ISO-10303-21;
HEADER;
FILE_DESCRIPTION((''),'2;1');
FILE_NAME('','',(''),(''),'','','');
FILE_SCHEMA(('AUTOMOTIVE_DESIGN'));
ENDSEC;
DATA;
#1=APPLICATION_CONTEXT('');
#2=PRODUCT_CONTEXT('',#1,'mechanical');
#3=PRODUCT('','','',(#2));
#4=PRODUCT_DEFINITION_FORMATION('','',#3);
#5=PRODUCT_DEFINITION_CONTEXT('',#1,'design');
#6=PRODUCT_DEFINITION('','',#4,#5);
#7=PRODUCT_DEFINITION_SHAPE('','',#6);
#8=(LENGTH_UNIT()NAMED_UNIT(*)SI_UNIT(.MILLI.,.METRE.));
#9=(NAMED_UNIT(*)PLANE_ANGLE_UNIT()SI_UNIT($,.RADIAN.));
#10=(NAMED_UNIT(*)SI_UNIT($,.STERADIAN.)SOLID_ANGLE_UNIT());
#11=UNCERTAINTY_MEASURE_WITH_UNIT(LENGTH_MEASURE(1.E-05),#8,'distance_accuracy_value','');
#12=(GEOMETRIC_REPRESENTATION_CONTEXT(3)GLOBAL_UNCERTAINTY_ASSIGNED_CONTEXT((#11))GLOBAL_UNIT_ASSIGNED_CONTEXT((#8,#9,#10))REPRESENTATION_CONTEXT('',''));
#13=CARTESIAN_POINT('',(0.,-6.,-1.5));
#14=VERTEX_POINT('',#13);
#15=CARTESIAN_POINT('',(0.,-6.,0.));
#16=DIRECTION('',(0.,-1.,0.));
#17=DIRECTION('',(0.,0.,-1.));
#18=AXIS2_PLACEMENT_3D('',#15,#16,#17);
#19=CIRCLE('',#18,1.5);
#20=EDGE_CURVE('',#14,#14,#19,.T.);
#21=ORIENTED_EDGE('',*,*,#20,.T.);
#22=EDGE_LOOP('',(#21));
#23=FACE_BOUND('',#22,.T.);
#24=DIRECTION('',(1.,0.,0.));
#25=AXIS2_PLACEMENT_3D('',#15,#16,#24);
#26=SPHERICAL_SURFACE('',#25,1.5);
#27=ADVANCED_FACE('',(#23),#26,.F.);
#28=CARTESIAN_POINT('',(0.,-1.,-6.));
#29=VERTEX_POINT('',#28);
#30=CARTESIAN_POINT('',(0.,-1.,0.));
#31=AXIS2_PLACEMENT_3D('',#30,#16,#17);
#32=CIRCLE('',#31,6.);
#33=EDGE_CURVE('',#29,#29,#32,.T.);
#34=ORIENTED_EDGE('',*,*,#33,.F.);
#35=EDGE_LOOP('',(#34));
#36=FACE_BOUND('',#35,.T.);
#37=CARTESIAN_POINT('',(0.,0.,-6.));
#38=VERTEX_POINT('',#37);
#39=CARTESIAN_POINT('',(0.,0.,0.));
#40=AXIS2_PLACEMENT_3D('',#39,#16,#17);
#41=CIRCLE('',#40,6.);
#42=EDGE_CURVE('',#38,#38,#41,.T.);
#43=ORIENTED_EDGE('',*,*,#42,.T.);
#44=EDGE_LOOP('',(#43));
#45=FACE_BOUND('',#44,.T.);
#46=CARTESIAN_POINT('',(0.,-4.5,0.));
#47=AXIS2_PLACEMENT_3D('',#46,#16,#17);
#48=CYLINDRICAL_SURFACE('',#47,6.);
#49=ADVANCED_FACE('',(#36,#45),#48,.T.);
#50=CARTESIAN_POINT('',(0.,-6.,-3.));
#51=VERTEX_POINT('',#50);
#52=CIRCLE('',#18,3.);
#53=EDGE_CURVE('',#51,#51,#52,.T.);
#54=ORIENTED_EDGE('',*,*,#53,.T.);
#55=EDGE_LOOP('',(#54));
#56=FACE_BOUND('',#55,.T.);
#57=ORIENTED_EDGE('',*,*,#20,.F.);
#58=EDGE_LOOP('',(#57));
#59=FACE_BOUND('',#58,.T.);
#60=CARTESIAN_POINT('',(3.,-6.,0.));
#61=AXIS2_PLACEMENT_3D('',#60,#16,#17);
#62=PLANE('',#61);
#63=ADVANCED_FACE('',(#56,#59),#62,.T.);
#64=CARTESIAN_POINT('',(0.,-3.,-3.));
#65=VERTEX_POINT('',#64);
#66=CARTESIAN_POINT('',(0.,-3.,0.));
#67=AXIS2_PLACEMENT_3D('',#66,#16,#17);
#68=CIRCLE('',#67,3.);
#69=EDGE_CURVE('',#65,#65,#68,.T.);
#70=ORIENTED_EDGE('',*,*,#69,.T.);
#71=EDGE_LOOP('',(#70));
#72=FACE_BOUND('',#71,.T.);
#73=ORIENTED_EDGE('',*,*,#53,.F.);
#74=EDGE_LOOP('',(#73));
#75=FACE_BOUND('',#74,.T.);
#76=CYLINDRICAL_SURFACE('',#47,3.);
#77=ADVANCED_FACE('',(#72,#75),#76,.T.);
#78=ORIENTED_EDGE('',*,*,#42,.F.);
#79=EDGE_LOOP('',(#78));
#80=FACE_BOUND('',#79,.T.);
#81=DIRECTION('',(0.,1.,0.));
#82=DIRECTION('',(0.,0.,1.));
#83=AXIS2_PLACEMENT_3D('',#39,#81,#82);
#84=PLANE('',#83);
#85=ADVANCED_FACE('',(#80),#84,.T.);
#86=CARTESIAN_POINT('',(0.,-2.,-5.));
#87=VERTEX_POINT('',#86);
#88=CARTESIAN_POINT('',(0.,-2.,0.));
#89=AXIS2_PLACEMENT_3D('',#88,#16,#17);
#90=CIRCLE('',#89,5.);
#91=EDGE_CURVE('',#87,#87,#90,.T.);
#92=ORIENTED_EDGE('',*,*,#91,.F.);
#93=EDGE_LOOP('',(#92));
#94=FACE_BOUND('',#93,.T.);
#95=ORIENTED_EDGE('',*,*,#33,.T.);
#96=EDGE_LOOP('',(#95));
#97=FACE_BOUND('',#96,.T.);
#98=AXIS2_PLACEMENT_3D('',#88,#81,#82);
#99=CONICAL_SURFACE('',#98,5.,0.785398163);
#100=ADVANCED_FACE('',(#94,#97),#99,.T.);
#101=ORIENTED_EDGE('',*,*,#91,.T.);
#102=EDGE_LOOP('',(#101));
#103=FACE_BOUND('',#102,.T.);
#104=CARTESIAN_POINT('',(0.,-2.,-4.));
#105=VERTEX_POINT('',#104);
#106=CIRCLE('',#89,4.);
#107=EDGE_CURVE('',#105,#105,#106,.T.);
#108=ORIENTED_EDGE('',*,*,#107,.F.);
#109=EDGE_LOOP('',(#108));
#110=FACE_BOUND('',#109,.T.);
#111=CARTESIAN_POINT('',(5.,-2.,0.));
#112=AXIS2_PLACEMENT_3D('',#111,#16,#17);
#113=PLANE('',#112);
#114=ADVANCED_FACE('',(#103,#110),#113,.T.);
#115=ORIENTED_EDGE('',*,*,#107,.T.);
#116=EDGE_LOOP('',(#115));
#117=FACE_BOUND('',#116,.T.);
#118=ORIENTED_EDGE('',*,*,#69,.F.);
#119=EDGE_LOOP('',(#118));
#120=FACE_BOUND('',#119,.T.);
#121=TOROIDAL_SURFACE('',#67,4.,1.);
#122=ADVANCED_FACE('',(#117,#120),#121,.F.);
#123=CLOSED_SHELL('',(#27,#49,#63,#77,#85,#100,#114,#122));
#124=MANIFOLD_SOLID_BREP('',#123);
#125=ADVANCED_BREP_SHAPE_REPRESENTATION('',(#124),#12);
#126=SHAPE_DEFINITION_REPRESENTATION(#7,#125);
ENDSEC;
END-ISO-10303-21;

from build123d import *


with BuildPart() as part:
    # Szkic1 → Obrót1 (revolve)
    with BuildSketch(Plane.XY, mode=Mode.PRIVATE) as obr_t1_sk:
        with BuildLine():
            Line((0, 0), (6, 0))
            Line((6, 0), (6, -1))
            Line((6, -1), (5, -2))
            Line((5, -2), (4, -2))
            ThreePointArc((4, -2), (3.292893219, -2.292893219), (3, -3))
            Line((3, -3), (3, -6))
            Line((3, -6), (1.5, -6))
            ThreePointArc((1.5, -6), (1.060660172, -4.939339828), (0, -4.5))
            Line((0, -4.5), (0, 0))
        make_face()
    revolve(obr_t1_sk.sketch.rotate(Axis((0, -4.5, 0), (0, 1, 0)), 90), axis=Axis((0, -4.5, 0), (0, 1, 0)))


solid = part.part
